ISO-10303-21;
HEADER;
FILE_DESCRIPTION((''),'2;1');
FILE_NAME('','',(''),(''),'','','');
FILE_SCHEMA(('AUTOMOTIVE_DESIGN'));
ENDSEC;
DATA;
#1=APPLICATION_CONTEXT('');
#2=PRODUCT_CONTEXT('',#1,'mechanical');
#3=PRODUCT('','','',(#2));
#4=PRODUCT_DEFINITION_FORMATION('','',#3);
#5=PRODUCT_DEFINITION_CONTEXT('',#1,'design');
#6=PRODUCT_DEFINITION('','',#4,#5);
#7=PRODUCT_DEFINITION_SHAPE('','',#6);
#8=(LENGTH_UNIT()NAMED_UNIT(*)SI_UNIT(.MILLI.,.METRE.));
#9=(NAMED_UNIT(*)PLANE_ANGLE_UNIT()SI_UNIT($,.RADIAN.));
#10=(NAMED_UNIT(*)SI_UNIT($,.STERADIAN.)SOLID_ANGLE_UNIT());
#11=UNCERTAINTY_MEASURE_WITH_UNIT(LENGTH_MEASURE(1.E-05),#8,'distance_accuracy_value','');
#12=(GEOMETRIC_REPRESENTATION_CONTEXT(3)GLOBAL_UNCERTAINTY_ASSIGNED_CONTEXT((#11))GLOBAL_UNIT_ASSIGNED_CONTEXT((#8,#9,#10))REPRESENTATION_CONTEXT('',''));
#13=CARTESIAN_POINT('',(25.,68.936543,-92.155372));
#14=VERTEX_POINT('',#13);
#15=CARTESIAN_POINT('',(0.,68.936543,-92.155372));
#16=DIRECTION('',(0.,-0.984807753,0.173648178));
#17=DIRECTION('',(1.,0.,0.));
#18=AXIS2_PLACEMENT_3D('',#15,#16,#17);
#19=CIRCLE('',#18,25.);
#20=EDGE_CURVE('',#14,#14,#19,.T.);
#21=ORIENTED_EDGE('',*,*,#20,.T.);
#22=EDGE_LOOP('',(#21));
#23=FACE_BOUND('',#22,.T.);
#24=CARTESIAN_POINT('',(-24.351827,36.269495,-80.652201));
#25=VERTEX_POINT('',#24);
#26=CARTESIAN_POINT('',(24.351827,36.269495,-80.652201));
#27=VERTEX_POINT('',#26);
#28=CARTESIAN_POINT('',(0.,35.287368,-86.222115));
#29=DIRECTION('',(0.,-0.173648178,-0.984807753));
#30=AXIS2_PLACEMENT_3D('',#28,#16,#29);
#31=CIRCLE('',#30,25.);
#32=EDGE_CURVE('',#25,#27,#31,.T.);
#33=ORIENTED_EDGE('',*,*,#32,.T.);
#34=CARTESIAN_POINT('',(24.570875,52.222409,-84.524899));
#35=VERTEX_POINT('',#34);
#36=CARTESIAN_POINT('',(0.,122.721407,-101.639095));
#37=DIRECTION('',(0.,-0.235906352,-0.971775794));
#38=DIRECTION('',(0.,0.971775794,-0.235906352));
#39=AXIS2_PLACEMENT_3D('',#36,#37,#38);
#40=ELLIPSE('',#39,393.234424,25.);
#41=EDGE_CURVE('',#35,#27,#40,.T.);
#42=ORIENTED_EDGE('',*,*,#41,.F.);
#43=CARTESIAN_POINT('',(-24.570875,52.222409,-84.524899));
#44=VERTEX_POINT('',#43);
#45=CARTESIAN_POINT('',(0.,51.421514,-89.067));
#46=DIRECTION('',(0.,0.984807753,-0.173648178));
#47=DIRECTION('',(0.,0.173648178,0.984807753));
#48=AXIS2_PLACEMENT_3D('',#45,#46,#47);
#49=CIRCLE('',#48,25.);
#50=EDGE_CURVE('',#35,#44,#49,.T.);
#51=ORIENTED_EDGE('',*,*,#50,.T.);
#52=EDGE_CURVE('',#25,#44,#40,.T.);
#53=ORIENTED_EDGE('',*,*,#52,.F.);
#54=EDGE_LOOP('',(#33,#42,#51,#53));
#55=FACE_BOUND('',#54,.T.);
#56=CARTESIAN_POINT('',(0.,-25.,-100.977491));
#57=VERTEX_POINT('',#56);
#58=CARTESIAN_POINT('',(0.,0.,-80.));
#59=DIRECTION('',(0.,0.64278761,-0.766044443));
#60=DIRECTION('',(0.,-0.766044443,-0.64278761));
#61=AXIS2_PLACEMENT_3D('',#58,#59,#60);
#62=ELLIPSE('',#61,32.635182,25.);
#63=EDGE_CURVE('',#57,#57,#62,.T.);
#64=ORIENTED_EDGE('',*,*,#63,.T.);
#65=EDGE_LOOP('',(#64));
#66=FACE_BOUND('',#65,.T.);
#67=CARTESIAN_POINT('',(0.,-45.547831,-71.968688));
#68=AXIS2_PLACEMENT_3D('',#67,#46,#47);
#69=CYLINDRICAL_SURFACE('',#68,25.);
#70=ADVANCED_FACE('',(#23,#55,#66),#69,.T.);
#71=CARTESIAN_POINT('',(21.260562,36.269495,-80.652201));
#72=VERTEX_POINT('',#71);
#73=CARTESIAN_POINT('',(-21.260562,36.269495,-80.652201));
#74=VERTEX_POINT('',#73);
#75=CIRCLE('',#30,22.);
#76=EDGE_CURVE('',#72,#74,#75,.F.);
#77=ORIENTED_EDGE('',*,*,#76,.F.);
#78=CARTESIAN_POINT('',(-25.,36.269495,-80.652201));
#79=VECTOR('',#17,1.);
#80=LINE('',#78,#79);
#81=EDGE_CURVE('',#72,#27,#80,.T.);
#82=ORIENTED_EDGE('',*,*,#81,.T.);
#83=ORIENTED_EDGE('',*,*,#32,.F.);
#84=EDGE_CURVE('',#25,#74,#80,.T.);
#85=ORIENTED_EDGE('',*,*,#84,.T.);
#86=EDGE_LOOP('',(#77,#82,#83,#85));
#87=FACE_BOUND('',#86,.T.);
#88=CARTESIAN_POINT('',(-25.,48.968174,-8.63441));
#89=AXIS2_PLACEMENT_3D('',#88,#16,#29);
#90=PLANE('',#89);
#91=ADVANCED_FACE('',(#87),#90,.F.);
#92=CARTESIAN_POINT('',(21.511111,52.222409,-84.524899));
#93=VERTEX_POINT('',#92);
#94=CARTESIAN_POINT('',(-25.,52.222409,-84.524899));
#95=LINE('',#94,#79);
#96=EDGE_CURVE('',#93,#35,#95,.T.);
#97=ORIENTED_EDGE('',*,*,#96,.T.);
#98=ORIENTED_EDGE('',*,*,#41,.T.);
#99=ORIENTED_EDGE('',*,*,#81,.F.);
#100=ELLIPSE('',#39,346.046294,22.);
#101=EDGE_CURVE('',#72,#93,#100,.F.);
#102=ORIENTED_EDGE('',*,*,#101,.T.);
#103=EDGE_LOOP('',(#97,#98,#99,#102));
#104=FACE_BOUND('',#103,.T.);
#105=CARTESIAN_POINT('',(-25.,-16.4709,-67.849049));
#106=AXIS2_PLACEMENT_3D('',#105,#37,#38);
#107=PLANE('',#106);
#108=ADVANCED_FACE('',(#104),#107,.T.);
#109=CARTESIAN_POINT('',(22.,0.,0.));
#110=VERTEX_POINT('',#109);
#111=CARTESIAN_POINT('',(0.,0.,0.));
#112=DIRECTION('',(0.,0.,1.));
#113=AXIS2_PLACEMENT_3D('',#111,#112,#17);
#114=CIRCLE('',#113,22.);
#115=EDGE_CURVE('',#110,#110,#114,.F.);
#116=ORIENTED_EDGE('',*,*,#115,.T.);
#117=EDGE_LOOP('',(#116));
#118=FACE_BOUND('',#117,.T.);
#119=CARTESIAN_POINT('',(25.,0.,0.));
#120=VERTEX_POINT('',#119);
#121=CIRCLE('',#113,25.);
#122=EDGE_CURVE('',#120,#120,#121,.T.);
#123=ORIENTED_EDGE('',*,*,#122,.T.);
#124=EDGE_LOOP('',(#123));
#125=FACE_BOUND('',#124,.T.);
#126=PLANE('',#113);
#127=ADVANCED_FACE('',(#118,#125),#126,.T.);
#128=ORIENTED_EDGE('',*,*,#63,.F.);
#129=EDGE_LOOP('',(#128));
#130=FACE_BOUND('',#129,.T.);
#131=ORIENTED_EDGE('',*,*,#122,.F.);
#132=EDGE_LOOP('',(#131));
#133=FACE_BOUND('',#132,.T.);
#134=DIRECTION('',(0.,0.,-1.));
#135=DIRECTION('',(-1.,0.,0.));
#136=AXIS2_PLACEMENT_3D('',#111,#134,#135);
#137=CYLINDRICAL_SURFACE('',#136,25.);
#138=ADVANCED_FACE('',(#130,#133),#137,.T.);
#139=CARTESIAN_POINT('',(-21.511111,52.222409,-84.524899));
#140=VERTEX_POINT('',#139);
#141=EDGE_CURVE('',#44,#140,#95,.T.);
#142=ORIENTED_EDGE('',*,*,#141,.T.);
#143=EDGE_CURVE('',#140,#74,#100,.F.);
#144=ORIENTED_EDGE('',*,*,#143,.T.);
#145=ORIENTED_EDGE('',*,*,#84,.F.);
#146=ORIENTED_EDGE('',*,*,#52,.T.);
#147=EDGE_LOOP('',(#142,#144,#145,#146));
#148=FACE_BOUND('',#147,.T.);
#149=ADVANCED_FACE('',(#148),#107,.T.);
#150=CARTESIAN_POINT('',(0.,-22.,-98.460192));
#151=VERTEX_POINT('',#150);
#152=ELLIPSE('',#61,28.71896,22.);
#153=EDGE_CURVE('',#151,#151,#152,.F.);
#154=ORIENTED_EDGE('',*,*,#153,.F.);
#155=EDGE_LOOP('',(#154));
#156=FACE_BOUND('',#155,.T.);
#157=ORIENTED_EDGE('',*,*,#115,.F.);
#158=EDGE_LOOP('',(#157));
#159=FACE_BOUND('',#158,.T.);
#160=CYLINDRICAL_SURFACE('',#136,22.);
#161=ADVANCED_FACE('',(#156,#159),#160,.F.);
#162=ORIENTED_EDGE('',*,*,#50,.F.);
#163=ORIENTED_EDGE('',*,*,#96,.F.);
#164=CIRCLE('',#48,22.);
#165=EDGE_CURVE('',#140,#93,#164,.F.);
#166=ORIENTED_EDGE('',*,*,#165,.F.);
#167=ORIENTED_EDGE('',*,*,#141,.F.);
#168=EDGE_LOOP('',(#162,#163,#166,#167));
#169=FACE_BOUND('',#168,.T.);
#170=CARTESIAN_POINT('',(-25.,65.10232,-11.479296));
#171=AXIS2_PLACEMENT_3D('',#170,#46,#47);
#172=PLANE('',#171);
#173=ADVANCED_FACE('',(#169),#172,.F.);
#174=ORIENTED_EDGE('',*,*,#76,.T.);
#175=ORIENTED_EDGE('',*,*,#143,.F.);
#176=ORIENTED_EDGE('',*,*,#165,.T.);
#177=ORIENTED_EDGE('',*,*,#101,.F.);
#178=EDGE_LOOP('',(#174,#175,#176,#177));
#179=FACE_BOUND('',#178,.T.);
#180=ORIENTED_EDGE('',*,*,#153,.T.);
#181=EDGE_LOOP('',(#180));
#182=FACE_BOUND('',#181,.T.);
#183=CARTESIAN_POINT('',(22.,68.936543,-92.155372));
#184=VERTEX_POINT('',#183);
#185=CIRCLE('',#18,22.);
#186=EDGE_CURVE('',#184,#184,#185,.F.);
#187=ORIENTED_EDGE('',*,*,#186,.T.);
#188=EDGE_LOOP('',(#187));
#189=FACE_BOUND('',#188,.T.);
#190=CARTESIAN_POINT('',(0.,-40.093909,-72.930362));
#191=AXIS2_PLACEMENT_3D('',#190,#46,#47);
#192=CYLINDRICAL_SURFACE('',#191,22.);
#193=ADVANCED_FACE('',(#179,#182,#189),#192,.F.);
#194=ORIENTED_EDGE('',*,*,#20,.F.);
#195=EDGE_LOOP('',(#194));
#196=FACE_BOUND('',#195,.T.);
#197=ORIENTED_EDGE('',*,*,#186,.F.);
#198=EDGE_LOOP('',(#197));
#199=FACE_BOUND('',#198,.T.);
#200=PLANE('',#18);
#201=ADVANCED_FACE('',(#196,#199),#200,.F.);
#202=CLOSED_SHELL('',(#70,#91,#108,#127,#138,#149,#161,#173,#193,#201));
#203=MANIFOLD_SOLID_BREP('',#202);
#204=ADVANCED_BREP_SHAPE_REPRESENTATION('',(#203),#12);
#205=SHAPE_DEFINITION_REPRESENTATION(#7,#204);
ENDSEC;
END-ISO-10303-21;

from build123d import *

# Parameters (mm, degrees)
SKETCH3_R               = 25
SKETCH3_R_2             = 22
CUT_EXTRUDE2_DEPTH      = 26
CUT_EXTRUDE2_DEPTH_BACK = 26


with BuildPart() as part:
    # Sweep1: sweep along a path in Sketch1
    with BuildLine(Plane(origin=(0, 0, 0), x_dir=(0, 0, -1), z_dir=(1, 0, 0))) as sweep1_path:
        Line((0, 0), (80, 0))
        Line((80, 0), (92.155372437, 68.936542711))
    # Sketch3 → Sweep1 (sweep)
    with BuildSketch(Plane.XY):
        Circle(SKETCH3_R)
        Circle(SKETCH3_R_2, mode=Mode.SUBTRACT)
    sweep(path=sweep1_path.line, transition=Transition.RIGHT)

    # Sketch4 → Cut-Extrude2 (cut, two sides)
    with BuildSketch(Plane(origin=(0, 0, 0), x_dir=(0, 0, -1), z_dir=(1, 0, 0))) as cut_extrude2_sk:
        Polygon((110.842308967, 30.946164041), (113.687194162, 47.080309724), (94.794337041, 50.411630176), (84.524899127, 52.222409157), (80.652201417, 36.269494553), align=None)
    extrude(amount=CUT_EXTRUDE2_DEPTH, mode=Mode.SUBTRACT)
    extrude(cut_extrude2_sk.sketch, amount=-CUT_EXTRUDE2_DEPTH_BACK, mode=Mode.SUBTRACT)


solid = part.part
